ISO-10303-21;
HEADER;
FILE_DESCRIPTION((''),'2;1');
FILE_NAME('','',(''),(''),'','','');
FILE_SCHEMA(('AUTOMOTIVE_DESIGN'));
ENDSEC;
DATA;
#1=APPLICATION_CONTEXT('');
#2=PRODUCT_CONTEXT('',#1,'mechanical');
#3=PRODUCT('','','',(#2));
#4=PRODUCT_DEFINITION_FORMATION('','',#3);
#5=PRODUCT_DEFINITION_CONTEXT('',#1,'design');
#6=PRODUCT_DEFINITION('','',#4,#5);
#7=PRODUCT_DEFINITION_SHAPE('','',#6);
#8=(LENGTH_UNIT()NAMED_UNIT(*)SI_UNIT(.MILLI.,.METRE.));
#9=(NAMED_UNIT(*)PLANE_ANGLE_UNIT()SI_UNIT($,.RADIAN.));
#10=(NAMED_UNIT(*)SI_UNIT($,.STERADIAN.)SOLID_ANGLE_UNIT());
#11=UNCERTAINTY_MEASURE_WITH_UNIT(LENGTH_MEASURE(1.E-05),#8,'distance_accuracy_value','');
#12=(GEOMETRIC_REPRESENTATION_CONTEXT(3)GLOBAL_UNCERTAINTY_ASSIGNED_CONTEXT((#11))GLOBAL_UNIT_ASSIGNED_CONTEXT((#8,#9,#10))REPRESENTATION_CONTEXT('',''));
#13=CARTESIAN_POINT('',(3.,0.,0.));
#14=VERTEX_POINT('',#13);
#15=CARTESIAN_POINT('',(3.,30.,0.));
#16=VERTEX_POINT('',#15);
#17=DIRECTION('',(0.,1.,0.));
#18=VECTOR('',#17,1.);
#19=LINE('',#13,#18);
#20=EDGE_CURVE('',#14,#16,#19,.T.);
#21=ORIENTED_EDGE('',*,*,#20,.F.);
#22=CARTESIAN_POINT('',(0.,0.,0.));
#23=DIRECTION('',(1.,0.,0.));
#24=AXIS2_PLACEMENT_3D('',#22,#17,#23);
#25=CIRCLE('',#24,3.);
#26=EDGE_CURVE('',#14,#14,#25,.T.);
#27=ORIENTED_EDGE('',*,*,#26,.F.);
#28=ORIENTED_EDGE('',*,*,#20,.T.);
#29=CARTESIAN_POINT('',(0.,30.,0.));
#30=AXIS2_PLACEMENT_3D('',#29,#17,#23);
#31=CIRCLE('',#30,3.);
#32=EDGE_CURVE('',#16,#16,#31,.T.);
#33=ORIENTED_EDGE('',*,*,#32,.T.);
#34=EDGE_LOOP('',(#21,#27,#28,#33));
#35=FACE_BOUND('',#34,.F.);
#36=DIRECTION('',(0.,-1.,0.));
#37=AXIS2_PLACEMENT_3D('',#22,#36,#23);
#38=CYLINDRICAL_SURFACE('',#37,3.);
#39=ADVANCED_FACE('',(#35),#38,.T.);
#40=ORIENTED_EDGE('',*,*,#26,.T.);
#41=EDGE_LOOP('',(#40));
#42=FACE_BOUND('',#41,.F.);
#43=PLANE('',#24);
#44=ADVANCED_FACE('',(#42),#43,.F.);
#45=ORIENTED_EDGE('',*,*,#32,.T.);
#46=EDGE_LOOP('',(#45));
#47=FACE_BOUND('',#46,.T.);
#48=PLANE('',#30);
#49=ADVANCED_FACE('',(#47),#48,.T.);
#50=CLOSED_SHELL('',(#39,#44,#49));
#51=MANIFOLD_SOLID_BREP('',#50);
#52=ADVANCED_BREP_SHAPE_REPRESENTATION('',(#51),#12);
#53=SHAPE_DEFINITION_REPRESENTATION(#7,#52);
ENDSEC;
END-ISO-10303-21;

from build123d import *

# Parameters (mm, degrees)
SKETCH1_R           = 3
BOSS_EXTRUDE1_DEPTH = 30


with BuildPart() as part:
    # Sketch1 → Boss-Extrude1 (new body)
    with BuildSketch(Plane(origin=(0, 0, 0), x_dir=(1, 0, 0), z_dir=(0, 1, 0))):
        Circle(SKETCH1_R)
    extrude(amount=BOSS_EXTRUDE1_DEPTH)


solid = part.part
